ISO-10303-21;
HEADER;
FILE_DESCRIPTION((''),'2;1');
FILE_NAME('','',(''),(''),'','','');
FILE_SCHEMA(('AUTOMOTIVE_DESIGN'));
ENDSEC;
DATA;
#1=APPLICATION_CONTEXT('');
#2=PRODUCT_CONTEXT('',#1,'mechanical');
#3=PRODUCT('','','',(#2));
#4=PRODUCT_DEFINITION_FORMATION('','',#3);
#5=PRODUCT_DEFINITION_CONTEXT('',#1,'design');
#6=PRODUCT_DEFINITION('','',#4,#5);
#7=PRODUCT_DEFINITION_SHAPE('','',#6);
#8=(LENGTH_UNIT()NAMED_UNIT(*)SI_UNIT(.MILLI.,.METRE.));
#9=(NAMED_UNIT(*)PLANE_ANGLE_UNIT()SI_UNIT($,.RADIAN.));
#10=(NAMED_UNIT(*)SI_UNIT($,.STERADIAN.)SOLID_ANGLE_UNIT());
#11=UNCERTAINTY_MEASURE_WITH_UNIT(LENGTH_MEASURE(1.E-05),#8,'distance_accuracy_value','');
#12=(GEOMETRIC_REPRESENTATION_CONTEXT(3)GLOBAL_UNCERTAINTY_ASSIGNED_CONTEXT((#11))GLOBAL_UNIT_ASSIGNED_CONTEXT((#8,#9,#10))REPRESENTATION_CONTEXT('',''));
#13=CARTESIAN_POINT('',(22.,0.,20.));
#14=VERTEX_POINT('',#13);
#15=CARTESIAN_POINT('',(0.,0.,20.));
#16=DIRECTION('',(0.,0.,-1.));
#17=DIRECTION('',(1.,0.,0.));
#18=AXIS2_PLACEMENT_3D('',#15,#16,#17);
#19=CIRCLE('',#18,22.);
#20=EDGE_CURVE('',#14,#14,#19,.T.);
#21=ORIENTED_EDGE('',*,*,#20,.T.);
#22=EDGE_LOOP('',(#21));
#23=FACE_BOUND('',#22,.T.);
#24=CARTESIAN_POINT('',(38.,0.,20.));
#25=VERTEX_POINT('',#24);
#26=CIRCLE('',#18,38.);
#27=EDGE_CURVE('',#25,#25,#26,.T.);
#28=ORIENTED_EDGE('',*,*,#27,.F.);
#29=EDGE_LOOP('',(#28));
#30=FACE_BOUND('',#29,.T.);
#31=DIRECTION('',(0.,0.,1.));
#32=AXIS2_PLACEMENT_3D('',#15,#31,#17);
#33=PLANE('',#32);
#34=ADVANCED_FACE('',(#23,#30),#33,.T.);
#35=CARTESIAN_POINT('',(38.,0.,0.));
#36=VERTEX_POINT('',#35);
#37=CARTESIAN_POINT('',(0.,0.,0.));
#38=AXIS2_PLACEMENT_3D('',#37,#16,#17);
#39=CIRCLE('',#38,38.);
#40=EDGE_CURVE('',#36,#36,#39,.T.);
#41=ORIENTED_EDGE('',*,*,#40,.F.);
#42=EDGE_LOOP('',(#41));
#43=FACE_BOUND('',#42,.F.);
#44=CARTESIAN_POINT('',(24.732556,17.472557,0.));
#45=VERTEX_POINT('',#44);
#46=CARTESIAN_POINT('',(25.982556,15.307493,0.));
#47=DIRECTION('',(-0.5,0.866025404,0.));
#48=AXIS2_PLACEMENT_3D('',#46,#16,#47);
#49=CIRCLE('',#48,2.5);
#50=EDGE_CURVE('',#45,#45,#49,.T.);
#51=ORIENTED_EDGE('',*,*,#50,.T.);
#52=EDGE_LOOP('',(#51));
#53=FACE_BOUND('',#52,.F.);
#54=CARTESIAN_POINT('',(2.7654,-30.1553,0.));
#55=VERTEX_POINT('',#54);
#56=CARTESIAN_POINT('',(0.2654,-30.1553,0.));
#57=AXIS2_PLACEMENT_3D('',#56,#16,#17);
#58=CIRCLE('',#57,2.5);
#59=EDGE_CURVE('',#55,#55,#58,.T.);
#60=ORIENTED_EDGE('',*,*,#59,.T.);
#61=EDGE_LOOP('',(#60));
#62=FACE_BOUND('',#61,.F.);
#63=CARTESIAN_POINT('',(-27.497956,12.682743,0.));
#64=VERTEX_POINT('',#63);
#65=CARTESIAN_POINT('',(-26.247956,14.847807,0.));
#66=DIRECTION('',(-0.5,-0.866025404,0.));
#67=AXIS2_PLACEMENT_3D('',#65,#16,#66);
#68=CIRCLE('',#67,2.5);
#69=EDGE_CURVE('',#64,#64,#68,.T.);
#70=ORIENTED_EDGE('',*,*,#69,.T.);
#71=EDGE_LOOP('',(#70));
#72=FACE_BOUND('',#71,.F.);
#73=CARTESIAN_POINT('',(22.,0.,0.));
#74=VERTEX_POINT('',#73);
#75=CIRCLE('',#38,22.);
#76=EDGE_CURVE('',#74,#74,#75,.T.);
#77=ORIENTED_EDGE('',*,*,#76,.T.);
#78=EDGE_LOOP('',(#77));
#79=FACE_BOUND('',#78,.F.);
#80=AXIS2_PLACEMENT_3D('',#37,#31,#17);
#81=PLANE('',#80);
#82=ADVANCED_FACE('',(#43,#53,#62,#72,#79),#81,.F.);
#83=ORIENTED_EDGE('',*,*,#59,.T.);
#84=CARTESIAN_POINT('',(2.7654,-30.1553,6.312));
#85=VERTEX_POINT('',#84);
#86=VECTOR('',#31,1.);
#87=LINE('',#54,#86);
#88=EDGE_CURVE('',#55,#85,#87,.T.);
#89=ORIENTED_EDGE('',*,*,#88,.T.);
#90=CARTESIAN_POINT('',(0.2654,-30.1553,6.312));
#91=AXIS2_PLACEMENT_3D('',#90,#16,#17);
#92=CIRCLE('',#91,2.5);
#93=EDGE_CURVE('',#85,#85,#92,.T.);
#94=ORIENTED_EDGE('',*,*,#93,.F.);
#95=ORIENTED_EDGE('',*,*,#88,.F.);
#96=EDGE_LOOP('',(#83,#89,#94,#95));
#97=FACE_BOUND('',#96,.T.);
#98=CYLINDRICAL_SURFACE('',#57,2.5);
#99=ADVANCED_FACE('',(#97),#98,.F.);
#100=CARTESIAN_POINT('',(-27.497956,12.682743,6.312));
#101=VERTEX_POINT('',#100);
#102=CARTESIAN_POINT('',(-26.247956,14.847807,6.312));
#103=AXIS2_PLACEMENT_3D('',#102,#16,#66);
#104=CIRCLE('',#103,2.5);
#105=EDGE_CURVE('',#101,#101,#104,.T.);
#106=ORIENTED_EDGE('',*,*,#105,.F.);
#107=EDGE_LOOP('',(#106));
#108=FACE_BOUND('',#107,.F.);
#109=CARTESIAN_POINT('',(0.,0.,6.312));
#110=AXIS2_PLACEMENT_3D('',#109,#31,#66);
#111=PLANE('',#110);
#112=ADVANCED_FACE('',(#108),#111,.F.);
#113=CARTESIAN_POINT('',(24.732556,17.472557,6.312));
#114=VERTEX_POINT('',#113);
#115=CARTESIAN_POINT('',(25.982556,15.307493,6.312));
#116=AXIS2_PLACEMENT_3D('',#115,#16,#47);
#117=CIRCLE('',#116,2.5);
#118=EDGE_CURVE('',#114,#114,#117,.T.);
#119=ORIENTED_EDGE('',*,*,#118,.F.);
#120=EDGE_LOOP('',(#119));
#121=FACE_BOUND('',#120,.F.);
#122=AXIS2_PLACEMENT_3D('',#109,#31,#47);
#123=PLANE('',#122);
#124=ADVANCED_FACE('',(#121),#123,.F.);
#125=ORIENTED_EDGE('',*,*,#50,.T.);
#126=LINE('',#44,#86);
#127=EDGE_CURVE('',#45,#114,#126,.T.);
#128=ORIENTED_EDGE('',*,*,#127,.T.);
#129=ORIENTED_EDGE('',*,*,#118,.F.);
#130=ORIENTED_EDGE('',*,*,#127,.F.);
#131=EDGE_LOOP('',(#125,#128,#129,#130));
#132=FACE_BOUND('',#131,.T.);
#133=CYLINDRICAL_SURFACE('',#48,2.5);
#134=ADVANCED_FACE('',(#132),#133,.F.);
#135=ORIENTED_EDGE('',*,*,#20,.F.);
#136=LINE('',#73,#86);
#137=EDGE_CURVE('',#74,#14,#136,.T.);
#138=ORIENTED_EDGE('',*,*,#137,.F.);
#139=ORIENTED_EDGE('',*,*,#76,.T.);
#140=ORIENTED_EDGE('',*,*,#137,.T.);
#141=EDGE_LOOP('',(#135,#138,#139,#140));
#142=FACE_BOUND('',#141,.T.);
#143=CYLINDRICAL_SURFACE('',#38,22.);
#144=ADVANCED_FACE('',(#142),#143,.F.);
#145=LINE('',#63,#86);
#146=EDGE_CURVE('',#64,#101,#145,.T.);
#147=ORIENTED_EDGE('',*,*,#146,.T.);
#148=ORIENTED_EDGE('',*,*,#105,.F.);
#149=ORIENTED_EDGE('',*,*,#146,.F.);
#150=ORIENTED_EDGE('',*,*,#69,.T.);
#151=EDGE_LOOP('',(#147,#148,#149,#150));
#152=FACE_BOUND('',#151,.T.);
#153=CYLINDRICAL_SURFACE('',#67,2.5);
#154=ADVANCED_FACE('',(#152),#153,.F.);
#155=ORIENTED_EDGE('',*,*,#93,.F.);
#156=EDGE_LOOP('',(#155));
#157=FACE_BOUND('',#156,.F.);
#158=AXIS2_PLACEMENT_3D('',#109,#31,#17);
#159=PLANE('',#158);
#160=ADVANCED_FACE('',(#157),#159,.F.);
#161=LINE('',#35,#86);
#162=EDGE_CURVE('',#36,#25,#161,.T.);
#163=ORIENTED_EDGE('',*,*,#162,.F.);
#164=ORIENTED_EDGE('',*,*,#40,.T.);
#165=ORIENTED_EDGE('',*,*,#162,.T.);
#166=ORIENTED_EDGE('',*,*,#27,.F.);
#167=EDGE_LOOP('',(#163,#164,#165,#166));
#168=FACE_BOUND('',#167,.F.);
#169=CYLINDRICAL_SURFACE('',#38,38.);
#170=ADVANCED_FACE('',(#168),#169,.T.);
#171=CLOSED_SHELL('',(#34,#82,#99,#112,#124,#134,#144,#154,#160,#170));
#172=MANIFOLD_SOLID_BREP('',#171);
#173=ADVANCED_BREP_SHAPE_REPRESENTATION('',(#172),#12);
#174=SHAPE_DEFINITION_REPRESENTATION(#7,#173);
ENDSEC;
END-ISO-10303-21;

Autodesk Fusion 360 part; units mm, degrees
sketch "Sketch1" plane through (0, 0, 0) normal (0, 0, 1) x (1, 0, 0)
  circle A0 centre (0, 0) radius 19.3
  circle A1 centre (0, 0) radius 22.5
  circle A2 centre (0, 0) radius 38
  dimension "d1" = 45
  dimension "d2" = 38.6
  dimension "d3" = 76
extrude "Extrude1" add sketch "Sketch1" along normal blind 20 contours A1
sketch "Sketch2" plane through (0, 0, 0) normal (0, 0, 1) x (1, 0, 0)
  circle A0 centre (0.2654, -30.1553) radius 2.5
  dimension "d8" = 5
extrude "Extrude4" add sketch "Sketch1" along normal blind 20 contours A1 | A2
extrude "Extrude5" cut sketch "Sketch2" along normal blind 6.312
pattern_circular "C-Pattern2" count 3 over 360 about axis through (0, 0, 20) along (0, 0, 1) of "Extrude5"
move_face "면 간격띄우기1" offset 5 1 faces at (19.276, -0.962, 13.3333)
move_face "면 간격띄우기2" offset 2.3 1 faces at (14.2822, 0.7128, 6.6667)
move_face "면 간격띄우기3" offset -10 1 faces at (11.9851, 0.5982, 6.6667)
